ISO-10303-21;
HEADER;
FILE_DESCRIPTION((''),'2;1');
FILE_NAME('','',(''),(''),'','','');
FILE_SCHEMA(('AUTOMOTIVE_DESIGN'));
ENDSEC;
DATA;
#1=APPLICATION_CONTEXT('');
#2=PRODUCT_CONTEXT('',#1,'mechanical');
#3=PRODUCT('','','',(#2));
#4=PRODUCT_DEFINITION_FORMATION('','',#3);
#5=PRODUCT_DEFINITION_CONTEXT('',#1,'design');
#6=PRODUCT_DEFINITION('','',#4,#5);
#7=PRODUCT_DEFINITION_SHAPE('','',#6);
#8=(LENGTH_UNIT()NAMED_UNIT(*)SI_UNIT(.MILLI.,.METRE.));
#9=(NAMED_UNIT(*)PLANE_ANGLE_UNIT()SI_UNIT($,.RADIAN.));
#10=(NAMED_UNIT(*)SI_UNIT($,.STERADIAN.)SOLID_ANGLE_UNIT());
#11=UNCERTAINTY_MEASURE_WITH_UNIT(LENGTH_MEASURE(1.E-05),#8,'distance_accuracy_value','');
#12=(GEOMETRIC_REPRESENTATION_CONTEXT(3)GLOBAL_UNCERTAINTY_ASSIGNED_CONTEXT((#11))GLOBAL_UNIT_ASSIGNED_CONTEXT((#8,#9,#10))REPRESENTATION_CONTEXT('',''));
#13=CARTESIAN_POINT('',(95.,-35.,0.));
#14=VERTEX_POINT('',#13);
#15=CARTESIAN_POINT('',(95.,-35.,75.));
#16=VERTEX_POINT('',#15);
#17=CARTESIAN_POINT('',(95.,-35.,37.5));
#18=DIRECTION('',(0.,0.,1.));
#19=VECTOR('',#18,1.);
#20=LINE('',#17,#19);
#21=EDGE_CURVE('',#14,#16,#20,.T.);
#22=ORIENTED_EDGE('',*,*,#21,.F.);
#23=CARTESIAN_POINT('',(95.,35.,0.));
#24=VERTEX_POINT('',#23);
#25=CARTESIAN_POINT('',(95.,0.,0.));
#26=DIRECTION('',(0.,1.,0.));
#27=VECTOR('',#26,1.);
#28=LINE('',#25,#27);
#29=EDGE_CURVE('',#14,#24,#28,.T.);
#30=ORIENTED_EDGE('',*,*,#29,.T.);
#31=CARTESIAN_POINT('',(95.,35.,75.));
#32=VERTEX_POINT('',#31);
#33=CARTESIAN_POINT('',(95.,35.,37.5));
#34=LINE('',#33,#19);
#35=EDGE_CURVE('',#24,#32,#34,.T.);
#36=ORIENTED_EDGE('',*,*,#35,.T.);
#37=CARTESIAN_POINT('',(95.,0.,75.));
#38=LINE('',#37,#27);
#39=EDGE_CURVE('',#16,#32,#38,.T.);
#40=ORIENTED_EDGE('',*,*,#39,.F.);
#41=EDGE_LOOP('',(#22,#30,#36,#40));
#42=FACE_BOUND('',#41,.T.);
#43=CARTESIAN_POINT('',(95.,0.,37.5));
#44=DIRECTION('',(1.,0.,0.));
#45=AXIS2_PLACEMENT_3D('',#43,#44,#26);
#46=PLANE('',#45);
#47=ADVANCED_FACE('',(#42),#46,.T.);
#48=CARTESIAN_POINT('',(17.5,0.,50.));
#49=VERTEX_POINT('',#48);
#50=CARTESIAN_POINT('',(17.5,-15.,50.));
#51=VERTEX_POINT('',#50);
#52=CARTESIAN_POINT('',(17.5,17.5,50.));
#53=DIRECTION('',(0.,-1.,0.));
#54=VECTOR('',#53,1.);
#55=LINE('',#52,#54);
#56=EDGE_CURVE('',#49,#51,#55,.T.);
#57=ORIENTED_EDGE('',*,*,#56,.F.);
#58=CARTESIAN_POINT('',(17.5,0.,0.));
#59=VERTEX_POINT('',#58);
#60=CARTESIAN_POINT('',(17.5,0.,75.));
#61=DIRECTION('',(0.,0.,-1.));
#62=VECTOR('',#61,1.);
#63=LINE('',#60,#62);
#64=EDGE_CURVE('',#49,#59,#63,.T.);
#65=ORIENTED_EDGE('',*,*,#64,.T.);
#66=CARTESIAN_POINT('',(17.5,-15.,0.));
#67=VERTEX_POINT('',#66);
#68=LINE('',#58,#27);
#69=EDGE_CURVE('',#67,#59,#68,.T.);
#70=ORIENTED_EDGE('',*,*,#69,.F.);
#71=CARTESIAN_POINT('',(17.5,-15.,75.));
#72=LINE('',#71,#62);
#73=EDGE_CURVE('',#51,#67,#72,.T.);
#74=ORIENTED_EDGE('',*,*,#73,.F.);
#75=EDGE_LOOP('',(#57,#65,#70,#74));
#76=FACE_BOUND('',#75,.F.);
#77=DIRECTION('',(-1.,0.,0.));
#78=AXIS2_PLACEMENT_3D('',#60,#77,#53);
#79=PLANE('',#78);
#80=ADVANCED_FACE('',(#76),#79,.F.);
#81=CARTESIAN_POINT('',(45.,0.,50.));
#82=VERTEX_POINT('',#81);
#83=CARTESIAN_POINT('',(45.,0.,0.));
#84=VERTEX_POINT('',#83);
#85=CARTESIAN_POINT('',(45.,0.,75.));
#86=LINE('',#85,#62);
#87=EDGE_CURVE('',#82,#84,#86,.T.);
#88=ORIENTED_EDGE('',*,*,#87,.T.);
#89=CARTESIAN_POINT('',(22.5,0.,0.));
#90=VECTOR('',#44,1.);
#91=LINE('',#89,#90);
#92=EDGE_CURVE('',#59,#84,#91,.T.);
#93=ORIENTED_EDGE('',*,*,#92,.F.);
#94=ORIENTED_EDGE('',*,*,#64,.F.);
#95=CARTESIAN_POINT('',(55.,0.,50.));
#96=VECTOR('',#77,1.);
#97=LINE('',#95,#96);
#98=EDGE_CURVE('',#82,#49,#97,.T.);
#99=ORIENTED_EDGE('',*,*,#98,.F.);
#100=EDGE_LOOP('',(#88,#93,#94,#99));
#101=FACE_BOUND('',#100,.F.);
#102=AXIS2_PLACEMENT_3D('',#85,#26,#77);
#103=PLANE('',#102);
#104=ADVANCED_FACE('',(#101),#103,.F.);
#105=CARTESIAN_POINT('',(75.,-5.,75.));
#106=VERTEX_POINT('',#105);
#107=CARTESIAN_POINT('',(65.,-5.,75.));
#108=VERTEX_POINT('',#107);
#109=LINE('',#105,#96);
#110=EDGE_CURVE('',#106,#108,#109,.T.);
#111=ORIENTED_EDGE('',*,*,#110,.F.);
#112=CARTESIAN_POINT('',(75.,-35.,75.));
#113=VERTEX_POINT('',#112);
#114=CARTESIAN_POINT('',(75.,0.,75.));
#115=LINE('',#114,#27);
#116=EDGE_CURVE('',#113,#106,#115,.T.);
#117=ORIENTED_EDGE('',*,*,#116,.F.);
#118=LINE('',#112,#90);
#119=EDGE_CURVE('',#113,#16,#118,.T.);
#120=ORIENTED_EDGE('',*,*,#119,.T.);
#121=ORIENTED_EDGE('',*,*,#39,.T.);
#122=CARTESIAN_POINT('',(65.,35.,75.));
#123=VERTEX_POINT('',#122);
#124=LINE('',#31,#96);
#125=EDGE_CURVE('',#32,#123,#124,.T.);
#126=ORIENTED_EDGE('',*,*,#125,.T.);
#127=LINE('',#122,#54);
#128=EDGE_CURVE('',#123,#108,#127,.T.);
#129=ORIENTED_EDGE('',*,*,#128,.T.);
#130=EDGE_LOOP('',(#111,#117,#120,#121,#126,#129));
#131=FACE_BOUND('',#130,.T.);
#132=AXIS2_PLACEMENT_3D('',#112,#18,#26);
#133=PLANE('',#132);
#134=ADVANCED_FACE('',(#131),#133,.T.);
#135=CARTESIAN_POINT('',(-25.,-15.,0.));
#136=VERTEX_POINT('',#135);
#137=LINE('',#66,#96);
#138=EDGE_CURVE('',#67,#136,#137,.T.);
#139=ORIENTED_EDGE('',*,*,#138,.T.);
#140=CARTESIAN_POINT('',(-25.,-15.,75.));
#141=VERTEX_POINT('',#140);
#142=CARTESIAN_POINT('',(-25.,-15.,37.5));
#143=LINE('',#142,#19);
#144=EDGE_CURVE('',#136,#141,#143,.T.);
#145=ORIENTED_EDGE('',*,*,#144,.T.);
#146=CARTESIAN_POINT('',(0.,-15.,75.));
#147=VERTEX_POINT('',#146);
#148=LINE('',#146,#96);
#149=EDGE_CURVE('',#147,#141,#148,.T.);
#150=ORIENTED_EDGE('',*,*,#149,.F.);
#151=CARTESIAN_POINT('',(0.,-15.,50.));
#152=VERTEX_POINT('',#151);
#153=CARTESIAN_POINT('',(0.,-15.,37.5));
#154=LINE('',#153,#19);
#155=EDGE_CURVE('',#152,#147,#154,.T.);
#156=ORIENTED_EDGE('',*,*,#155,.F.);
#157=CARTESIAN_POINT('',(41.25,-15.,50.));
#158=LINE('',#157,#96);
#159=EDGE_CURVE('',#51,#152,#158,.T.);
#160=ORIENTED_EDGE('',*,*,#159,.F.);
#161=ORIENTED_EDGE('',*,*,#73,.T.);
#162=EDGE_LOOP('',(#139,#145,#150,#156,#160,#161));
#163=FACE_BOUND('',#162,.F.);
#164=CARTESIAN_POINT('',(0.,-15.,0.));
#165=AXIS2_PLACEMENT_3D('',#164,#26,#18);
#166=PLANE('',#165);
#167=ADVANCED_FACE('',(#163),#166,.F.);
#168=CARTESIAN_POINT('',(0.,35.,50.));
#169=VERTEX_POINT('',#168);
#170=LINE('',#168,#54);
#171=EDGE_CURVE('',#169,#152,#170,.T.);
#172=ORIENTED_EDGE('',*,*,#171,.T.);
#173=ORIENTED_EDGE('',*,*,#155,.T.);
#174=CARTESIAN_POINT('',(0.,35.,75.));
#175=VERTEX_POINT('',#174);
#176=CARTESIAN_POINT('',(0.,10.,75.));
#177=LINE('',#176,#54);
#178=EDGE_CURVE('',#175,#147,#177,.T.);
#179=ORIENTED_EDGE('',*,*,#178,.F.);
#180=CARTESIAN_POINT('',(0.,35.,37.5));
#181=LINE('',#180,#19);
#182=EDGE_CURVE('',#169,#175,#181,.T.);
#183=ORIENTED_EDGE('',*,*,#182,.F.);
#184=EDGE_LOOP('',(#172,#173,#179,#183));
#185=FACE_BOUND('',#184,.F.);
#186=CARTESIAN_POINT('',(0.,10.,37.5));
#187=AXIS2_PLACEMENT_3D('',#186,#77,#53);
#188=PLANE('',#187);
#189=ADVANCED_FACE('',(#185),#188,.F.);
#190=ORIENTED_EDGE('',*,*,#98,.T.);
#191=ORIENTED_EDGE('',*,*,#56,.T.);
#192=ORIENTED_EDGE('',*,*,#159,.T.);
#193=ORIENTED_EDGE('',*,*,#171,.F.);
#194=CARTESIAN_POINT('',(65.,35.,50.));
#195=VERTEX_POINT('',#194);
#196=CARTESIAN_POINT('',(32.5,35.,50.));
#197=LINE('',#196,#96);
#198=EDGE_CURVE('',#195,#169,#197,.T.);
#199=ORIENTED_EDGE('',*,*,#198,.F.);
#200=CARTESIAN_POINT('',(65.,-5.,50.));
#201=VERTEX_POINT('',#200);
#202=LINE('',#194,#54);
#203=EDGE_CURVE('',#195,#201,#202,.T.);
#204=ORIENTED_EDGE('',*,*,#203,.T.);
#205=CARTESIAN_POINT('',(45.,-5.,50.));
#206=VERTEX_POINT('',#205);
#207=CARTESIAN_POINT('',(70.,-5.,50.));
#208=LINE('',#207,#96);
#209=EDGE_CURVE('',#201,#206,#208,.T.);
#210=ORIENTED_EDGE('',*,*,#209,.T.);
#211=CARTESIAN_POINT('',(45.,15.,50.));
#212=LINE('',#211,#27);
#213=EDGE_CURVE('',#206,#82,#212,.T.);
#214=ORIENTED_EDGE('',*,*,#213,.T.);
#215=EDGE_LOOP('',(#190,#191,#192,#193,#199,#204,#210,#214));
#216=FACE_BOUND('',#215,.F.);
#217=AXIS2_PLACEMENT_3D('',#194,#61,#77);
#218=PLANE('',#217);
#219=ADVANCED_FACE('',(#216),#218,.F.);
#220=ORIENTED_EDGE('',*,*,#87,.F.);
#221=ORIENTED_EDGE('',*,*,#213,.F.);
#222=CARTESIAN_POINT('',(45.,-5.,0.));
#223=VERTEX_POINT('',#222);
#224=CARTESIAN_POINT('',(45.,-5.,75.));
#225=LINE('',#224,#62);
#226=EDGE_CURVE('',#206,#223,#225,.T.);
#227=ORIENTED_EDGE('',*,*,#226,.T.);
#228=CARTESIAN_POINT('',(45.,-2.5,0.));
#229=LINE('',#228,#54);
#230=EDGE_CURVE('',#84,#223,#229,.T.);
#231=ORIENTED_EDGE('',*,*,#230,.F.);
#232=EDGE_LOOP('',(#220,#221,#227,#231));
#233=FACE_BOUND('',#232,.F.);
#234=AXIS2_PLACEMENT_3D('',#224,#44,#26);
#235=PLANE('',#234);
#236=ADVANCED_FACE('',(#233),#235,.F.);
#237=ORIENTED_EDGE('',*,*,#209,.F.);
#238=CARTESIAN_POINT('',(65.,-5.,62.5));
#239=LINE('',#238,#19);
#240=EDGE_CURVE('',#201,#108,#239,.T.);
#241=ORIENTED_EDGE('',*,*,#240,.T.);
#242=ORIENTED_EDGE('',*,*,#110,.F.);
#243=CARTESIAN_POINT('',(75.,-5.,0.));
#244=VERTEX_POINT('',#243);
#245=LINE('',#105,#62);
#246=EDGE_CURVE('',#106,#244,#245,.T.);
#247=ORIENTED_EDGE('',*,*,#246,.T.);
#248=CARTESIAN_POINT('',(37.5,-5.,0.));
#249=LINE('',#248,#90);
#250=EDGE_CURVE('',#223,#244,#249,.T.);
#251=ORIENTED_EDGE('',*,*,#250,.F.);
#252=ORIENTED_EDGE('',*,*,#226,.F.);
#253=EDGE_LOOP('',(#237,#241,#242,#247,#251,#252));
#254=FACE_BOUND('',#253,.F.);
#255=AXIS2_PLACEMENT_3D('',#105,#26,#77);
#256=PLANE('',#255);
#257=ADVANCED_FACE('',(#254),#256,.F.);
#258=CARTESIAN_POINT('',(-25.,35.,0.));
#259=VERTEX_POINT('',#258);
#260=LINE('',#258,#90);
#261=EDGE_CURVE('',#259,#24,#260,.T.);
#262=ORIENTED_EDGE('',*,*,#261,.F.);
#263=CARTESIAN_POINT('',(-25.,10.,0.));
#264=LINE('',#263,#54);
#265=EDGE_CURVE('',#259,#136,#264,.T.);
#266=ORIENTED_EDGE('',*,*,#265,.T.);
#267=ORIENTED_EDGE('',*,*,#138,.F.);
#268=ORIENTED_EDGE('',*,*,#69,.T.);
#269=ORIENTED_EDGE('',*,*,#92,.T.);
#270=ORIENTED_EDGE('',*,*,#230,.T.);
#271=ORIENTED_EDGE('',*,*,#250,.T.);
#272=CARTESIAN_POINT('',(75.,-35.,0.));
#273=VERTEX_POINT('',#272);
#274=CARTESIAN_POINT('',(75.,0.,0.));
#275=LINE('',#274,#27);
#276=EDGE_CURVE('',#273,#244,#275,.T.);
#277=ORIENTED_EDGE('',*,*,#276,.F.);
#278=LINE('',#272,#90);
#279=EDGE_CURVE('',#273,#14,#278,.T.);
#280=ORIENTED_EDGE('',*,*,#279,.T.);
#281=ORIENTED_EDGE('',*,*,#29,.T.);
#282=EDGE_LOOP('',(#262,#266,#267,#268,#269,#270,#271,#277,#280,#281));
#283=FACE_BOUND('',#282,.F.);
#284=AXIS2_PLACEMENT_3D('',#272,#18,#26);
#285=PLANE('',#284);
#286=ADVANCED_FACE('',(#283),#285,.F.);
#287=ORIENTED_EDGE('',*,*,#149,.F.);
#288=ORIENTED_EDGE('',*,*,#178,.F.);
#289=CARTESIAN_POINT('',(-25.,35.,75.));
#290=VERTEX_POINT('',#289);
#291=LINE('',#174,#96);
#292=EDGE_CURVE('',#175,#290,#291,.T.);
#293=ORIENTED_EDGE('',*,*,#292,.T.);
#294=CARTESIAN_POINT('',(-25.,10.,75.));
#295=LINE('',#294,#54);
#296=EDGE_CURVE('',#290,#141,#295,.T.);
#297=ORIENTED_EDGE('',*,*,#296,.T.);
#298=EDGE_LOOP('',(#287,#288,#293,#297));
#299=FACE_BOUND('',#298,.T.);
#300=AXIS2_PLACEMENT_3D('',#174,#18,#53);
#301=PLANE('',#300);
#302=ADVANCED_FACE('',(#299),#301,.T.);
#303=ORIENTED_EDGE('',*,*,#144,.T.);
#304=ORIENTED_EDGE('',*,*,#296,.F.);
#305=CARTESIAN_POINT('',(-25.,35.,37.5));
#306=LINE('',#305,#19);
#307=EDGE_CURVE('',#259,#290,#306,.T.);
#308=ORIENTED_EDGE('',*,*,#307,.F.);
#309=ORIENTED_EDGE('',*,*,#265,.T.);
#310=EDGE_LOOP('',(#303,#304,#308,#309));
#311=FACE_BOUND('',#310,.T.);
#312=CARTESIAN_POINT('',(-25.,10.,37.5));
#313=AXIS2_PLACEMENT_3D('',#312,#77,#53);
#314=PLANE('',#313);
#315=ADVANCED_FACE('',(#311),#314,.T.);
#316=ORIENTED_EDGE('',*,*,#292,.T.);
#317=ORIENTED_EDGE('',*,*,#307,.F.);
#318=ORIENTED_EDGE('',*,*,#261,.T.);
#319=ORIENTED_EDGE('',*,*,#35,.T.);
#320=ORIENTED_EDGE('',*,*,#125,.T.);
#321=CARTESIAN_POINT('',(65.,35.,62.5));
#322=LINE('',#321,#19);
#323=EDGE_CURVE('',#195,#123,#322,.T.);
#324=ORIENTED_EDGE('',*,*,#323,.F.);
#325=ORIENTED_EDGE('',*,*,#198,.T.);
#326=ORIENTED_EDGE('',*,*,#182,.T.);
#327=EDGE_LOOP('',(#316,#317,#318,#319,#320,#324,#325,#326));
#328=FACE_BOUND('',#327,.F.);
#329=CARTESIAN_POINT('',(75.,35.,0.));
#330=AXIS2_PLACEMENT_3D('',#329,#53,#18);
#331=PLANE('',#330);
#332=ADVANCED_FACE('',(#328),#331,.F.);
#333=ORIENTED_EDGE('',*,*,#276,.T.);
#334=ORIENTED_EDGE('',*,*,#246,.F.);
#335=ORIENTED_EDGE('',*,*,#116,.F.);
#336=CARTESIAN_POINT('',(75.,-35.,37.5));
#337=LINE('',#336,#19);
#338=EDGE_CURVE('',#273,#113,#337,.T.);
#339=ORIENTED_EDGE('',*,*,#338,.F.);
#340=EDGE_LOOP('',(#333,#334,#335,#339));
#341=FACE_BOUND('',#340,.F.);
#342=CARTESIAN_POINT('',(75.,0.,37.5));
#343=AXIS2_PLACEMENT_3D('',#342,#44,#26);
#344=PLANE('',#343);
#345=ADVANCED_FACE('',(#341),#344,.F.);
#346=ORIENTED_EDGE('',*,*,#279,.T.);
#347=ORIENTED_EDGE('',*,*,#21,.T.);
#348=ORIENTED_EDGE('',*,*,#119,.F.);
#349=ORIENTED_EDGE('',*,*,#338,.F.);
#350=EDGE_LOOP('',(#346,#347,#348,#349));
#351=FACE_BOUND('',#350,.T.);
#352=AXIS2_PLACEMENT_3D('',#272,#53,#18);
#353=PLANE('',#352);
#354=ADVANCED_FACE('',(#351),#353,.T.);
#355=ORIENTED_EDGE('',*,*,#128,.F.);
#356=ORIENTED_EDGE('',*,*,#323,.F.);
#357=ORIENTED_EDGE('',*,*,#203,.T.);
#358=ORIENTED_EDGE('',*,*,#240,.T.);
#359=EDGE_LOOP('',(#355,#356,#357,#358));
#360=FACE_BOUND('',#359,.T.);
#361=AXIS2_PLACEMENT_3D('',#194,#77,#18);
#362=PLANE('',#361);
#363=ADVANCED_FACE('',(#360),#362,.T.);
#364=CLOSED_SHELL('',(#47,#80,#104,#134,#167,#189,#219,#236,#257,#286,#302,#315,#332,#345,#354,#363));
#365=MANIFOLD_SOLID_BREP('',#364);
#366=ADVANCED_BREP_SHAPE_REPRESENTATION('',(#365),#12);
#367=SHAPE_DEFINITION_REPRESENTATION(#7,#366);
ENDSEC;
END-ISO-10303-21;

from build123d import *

# Parameters (mm, degrees)
F0_W     = 75
F0_H     = 75
F1_DEPTH = 35
F3_DEPTH = 75.001
F4_W     = 65
F4_H     = 25
F5_DEPTH = 50.001
F6_W     = 50
F6_H     = 75
F7_DEPTH = 25
F8_W     = 70
F8_H     = 75
F9_DEPTH = 20


with BuildPart() as f1:
    # F0 (on Front) → F1 (new body, symmetric)
    with BuildSketch(Plane.XZ):
        with Locations((37.5, 37.5)):
            Rectangle(F0_W, F0_H)
    extrude(amount=F1_DEPTH, both=True)

    # F2 (on face) → F3 (cut, through all)
    with BuildSketch(Plane.XY.offset(75)):
        Polygon((17.5, -15), (0, -15), (0, -35), (75, -35), (75, -5), (45, -5), (45, 0), (17.5, 0), align=None)
    extrude(amount=-F3_DEPTH, mode=Mode.SUBTRACT)

    # F4 (on face) → F5 (cut, through all)
    with BuildSketch(Plane(origin=(0, 35, 0), x_dir=(-1, 0, 0), z_dir=(0, 1, 0))):
        with Locations((-32.5, 62.5)):
            Rectangle(F4_W, F4_H)
    extrude(amount=-F5_DEPTH, mode=Mode.SUBTRACT)

    # F6 (on face) → F7 (join)
    with BuildSketch(Plane(origin=(0, 0, 0), x_dir=(0, -1, 0), z_dir=(-1, 0, 0))):
        with Locations((-10, 37.5)):
            Rectangle(F6_W, F6_H)
    extrude(amount=F7_DEPTH)

    # F8 (on face) → F9 (join)
    with BuildSketch(Plane.YZ.offset(75)):
        with Locations((0, 37.5)):
            Rectangle(F8_W, F8_H)
    extrude(amount=F9_DEPTH)


solid = f1.part
